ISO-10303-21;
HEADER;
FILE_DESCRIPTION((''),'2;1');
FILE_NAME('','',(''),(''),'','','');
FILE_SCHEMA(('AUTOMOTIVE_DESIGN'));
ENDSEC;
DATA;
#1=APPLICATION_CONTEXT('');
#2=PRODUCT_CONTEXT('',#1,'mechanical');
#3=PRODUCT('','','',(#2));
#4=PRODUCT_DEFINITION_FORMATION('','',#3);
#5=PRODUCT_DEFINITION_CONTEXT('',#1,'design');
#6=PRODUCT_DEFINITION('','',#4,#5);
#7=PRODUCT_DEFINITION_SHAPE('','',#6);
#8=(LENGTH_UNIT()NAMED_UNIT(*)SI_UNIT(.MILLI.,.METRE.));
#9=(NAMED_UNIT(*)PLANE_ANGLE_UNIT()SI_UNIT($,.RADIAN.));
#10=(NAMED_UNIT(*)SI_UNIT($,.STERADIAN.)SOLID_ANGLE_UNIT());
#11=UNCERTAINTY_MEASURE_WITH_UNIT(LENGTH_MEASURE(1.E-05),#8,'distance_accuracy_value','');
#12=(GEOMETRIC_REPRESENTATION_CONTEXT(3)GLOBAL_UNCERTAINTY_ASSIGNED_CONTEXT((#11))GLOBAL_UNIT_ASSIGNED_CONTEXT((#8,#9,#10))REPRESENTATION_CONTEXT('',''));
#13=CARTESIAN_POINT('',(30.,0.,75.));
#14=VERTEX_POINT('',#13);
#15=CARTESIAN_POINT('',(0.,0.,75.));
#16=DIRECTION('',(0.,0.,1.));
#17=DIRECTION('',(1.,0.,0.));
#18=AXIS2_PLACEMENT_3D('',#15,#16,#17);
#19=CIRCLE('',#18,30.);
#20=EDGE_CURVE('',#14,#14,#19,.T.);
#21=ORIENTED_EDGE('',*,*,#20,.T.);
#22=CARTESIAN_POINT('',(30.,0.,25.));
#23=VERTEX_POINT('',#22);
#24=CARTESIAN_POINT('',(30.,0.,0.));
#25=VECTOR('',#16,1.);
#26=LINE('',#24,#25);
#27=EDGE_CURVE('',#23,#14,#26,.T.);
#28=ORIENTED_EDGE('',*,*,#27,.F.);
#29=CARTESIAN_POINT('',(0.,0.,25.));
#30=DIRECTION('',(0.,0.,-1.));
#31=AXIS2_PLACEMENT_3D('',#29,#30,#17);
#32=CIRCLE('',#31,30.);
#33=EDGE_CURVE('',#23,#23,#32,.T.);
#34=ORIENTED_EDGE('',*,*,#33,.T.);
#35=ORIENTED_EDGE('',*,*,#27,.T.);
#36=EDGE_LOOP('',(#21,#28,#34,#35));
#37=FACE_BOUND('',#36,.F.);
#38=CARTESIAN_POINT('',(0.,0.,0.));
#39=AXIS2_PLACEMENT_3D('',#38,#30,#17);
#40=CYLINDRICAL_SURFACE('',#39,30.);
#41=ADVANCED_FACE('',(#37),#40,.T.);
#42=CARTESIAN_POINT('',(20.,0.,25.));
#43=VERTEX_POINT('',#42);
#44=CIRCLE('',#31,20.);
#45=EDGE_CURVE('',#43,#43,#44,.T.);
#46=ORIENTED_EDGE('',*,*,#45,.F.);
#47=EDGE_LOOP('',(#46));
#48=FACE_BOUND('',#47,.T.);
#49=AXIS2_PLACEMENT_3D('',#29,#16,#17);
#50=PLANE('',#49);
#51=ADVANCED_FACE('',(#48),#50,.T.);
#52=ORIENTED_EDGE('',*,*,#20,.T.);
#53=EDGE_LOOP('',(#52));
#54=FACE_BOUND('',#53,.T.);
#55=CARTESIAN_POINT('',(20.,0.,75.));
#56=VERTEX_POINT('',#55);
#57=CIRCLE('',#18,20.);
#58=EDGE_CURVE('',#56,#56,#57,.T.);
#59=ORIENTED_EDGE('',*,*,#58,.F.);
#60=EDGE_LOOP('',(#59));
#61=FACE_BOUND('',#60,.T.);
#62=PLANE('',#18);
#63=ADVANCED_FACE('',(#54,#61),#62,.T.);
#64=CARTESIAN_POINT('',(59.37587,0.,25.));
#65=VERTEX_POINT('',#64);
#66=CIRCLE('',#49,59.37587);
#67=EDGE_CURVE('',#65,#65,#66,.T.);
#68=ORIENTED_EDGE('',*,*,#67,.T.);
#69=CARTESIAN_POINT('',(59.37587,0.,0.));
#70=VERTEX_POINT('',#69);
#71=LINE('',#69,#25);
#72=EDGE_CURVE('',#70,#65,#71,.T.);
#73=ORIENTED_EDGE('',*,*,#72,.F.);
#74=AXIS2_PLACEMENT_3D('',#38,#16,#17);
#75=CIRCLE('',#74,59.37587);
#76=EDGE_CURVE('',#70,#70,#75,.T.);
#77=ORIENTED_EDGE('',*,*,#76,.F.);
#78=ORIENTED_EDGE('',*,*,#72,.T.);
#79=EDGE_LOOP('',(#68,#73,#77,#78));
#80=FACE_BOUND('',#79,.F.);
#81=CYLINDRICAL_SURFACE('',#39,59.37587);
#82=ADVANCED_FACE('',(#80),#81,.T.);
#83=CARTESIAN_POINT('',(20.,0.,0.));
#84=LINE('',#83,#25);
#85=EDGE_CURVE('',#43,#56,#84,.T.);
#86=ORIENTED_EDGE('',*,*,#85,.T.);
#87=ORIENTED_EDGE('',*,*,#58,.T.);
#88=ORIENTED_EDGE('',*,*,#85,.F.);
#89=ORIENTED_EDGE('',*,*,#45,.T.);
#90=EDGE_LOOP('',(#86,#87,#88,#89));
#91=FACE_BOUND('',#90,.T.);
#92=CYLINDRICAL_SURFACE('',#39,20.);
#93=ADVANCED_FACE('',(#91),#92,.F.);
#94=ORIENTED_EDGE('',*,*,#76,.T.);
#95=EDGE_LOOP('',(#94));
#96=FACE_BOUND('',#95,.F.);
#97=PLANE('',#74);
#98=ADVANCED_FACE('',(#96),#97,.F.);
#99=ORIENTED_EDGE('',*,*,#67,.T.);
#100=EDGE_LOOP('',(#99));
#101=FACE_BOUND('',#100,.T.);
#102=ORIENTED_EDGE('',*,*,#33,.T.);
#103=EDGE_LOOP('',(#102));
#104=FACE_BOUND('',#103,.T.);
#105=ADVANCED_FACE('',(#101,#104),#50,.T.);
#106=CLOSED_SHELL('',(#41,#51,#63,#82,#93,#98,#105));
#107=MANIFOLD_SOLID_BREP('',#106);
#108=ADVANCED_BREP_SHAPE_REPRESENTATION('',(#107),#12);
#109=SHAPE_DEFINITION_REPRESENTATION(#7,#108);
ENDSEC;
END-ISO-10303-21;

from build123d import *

# Parameters (mm, degrees)
F0_R     = 30
F1_DEPTH = 75
F2_R     = 20
F3_DEPTH = 75
F4_R     = 59.37587
F5_DEPTH = 25


with BuildPart() as f1:
    # F0 (on Top) → F1 (new body)
    with BuildSketch(Plane.XY):
        Circle(F0_R)
    extrude(amount=F1_DEPTH)

    # F2 (on Top) → F3 (cut, through all)
    with BuildSketch(Plane.XY):
        Circle(F2_R)
    extrude(amount=F3_DEPTH, mode=Mode.SUBTRACT)

    # F4 (on Top) → F5 (join)
    with BuildSketch(Plane.XY):
        Circle(F4_R)
    extrude(amount=F5_DEPTH)


solid = f1.part
